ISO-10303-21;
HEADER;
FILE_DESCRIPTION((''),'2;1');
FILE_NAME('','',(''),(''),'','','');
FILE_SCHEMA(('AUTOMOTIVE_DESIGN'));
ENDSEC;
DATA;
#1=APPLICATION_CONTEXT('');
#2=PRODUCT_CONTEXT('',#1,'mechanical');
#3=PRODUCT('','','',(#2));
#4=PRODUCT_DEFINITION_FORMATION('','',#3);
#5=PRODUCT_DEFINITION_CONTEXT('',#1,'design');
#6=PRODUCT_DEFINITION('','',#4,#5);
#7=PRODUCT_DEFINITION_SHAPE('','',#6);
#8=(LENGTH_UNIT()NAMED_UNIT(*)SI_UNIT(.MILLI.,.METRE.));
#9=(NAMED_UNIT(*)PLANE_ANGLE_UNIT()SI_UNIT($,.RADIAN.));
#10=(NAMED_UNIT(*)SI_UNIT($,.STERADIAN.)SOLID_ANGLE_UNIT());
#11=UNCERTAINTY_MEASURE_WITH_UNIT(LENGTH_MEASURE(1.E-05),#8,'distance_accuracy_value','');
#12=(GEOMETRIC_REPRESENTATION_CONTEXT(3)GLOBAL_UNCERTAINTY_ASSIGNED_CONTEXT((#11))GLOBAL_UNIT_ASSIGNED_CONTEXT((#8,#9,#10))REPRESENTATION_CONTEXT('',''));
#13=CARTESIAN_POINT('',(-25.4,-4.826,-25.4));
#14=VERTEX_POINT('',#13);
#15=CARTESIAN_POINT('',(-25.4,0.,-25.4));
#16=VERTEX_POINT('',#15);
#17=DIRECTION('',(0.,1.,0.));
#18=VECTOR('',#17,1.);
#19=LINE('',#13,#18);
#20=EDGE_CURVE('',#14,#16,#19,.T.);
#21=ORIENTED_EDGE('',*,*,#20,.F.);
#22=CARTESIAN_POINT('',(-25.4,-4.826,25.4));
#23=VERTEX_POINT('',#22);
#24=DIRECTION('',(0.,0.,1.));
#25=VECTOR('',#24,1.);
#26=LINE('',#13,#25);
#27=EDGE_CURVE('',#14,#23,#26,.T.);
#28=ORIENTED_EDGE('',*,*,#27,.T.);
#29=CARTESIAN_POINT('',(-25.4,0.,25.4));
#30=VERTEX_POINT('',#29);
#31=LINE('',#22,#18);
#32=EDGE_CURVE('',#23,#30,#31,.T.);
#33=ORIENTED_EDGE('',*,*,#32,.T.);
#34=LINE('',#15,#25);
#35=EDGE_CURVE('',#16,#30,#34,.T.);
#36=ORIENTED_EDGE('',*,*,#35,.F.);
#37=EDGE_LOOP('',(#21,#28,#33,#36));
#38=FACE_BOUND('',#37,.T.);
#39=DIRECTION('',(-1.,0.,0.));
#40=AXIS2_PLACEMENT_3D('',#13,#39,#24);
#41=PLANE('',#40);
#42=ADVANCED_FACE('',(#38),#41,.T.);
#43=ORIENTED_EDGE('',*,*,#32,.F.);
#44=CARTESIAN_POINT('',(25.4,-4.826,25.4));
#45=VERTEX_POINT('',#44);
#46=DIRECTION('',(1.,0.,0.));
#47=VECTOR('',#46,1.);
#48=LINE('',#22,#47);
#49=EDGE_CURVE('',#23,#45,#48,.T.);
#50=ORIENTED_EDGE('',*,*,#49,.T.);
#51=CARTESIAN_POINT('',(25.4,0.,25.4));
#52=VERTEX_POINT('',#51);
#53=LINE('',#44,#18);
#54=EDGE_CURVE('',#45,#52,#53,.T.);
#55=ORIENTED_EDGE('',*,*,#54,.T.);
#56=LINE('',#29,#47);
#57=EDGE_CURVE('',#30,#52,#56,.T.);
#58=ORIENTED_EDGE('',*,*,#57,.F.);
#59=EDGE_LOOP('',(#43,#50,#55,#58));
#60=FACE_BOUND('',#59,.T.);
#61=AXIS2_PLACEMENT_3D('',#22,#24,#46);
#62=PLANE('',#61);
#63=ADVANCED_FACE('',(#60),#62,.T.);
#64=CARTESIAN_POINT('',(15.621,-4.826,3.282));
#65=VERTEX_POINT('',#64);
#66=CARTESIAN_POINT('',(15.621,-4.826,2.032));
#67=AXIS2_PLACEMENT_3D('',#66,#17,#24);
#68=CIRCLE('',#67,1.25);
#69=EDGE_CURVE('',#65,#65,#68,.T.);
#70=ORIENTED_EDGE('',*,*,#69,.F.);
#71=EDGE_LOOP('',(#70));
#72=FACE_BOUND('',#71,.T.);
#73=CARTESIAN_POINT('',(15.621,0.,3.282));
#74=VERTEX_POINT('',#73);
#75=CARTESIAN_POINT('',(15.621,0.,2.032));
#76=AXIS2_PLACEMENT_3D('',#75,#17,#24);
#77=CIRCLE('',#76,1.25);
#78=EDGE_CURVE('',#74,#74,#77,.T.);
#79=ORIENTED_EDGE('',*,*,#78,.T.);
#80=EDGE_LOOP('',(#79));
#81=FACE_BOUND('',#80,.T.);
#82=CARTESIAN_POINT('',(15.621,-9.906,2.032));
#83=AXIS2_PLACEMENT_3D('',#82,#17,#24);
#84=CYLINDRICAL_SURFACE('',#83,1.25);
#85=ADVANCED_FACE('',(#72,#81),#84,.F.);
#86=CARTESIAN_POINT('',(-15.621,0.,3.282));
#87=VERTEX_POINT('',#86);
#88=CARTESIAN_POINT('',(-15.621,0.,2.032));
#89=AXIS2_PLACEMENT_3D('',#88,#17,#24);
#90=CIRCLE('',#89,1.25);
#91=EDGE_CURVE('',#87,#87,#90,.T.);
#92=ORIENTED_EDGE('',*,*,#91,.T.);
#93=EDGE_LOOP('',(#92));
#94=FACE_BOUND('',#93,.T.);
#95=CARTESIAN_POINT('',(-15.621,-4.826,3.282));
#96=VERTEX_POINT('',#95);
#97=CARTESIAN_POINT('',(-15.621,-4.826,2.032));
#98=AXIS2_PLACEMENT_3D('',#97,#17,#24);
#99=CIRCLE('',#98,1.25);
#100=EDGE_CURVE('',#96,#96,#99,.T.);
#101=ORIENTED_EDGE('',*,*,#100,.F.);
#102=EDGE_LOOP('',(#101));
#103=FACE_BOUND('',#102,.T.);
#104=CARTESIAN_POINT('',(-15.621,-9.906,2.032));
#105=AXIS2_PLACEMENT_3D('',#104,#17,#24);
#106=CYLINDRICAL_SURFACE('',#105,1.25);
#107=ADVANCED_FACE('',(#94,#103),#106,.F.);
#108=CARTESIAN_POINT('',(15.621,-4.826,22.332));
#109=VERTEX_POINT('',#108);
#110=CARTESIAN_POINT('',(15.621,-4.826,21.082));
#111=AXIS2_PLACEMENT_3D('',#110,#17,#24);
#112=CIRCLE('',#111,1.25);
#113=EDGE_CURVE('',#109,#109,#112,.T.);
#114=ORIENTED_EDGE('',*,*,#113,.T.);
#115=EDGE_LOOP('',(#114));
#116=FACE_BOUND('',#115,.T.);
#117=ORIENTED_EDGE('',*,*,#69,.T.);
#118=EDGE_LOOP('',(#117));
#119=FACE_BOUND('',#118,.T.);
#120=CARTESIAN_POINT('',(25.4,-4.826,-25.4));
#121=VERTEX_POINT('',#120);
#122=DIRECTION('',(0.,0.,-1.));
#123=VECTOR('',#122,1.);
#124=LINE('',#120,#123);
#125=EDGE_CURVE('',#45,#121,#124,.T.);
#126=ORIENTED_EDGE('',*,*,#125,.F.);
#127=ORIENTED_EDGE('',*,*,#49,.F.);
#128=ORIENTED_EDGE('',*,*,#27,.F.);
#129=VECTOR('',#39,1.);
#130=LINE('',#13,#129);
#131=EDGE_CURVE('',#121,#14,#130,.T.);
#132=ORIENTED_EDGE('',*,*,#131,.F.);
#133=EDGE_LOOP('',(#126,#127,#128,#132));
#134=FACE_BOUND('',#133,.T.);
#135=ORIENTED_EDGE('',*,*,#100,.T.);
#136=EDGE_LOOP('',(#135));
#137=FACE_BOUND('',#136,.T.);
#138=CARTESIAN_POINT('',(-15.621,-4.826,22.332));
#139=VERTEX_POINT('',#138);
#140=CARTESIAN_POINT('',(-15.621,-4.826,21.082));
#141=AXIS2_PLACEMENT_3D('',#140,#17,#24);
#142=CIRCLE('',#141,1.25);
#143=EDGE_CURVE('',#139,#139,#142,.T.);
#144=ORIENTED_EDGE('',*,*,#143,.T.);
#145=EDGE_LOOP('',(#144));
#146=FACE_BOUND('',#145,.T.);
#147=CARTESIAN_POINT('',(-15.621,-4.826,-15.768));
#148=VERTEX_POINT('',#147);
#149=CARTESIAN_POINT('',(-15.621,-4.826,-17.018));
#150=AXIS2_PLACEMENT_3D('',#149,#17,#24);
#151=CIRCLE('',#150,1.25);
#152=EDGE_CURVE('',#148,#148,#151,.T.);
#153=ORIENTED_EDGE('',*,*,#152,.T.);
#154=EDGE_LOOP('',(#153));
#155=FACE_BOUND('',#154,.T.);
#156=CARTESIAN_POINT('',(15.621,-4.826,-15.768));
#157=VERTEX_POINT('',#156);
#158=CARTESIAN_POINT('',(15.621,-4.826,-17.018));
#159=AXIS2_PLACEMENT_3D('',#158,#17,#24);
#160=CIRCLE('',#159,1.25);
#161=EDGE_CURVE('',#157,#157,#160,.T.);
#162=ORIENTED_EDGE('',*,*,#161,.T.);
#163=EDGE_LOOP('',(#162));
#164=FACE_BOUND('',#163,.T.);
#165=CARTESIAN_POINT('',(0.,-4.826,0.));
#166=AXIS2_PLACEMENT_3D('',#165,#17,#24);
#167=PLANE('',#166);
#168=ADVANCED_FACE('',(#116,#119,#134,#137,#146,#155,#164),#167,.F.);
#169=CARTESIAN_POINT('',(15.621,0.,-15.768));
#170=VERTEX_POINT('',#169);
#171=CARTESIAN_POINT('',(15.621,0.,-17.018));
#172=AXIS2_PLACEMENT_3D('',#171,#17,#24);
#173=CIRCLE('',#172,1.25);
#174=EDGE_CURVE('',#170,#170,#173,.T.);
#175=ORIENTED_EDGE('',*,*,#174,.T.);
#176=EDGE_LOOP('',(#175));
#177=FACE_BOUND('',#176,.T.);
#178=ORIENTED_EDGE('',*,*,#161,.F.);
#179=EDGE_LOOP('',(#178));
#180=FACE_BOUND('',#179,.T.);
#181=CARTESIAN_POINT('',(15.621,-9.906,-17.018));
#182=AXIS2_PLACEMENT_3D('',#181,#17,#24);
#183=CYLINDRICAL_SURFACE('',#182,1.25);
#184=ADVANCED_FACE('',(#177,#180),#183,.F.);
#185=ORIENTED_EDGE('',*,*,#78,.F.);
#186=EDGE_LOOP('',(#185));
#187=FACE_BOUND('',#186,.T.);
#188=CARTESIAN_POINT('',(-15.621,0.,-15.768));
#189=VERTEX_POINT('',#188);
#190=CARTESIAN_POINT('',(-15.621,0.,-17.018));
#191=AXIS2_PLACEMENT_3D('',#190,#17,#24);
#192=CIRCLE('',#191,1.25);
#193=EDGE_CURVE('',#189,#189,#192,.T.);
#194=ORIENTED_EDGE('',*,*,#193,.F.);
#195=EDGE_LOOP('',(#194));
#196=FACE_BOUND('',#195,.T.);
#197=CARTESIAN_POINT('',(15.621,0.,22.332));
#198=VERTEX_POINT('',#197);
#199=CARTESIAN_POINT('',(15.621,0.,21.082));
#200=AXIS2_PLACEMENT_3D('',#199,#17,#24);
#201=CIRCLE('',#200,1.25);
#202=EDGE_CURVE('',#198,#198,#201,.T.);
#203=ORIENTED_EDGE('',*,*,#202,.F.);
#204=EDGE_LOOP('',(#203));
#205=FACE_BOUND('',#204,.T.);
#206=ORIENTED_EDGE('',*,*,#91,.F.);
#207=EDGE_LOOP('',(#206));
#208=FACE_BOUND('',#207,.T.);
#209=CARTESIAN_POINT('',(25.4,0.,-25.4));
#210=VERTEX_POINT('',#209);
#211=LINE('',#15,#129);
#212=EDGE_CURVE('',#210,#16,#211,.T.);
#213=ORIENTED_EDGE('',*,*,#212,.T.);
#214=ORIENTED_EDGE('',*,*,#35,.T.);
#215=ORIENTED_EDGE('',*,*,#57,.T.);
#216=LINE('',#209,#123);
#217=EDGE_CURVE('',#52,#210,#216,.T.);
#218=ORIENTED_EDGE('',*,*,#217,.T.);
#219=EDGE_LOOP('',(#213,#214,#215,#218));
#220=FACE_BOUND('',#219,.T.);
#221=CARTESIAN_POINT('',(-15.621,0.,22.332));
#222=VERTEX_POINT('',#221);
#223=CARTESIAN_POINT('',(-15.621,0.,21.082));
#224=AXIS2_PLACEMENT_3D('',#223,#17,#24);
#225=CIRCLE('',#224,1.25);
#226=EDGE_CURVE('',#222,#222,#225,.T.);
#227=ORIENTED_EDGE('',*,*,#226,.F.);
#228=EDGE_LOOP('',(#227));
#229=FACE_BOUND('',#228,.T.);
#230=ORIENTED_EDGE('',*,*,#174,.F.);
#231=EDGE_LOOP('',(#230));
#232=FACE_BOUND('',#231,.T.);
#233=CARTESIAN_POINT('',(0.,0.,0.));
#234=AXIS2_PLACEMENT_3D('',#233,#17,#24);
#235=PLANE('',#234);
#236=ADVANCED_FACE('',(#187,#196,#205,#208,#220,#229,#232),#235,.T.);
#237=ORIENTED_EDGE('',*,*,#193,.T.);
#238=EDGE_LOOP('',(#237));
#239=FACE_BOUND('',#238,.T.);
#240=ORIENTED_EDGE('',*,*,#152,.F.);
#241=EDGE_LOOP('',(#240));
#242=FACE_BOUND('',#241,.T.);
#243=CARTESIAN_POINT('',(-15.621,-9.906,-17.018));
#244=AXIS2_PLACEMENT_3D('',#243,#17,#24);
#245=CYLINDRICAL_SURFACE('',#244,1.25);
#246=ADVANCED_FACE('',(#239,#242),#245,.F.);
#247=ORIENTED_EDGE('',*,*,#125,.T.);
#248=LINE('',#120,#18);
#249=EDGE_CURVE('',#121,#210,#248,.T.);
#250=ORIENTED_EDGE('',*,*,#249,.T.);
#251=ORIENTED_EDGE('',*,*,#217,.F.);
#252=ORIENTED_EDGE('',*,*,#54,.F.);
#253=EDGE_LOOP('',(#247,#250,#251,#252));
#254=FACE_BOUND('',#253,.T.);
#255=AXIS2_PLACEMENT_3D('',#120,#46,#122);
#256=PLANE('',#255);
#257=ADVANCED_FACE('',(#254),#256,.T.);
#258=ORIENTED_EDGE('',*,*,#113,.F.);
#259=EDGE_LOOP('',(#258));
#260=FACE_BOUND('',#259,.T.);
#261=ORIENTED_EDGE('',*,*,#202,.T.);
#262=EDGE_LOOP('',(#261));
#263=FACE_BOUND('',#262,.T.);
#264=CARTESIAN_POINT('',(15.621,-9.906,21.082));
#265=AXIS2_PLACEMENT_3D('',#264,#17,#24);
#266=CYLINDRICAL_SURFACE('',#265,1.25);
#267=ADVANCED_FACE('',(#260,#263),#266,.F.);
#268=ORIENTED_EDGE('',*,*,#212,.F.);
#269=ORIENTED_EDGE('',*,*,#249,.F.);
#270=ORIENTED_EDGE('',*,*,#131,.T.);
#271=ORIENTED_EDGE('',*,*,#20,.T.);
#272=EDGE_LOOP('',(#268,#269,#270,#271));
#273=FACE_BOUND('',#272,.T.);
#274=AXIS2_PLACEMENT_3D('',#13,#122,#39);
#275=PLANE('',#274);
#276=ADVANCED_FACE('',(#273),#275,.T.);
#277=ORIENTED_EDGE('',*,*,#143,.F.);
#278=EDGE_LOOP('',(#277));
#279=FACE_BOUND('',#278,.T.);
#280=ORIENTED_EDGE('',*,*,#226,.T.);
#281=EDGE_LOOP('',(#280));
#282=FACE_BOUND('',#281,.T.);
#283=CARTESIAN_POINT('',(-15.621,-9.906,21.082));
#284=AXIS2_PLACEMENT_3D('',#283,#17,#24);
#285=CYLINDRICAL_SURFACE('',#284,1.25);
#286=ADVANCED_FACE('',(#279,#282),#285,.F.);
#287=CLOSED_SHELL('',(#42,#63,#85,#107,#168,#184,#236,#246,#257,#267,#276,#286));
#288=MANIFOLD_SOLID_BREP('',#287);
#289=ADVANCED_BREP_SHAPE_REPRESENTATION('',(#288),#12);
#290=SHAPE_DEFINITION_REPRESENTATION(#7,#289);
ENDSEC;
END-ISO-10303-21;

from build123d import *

# Parameters (mm, degrees)
SKETCH1_W           = 50.8
SKETCH1_H           = 50.8
BOSS_EXTRUDE1_DEPTH = 4.826
SKETCH2_R           = 1.25
CUT_EXTRUDE1_DEPTH  = 9.906
LPATTERN1_COUNT     = 3
LPATTERN1_PITCH     = 19.05


with BuildPart() as part:
    # Sketch1 → Boss-Extrude1 (new body)
    with BuildSketch(Plane(origin=(0, 0, 0), x_dir=(1, 0, 0), z_dir=(0, 1, 0))):
        Rectangle(SKETCH1_W, SKETCH1_H)
    extrude(amount=-BOSS_EXTRUDE1_DEPTH)

    # Sketch2 → Cut-Extrude1 (cut)
    with BuildSketch(Plane(origin=(0, 0, 0), x_dir=(1, 0, 0), z_dir=(0, 1, 0))):
        with Locations((-15.621, 17.018)):
            Circle(SKETCH2_R)
        with Locations((15.621, 17.018)):
            Circle(SKETCH2_R)
    cut_extrude1 = extrude(amount=-CUT_EXTRUDE1_DEPTH, mode=Mode.SUBTRACT)

    # LPattern1: Cut-Extrude1 ×3
    with Locations(*[(0, 0, i * LPATTERN1_PITCH) for i in range(1, LPATTERN1_COUNT)]):
        add(cut_extrude1, mode=Mode.SUBTRACT)


solid = part.part
